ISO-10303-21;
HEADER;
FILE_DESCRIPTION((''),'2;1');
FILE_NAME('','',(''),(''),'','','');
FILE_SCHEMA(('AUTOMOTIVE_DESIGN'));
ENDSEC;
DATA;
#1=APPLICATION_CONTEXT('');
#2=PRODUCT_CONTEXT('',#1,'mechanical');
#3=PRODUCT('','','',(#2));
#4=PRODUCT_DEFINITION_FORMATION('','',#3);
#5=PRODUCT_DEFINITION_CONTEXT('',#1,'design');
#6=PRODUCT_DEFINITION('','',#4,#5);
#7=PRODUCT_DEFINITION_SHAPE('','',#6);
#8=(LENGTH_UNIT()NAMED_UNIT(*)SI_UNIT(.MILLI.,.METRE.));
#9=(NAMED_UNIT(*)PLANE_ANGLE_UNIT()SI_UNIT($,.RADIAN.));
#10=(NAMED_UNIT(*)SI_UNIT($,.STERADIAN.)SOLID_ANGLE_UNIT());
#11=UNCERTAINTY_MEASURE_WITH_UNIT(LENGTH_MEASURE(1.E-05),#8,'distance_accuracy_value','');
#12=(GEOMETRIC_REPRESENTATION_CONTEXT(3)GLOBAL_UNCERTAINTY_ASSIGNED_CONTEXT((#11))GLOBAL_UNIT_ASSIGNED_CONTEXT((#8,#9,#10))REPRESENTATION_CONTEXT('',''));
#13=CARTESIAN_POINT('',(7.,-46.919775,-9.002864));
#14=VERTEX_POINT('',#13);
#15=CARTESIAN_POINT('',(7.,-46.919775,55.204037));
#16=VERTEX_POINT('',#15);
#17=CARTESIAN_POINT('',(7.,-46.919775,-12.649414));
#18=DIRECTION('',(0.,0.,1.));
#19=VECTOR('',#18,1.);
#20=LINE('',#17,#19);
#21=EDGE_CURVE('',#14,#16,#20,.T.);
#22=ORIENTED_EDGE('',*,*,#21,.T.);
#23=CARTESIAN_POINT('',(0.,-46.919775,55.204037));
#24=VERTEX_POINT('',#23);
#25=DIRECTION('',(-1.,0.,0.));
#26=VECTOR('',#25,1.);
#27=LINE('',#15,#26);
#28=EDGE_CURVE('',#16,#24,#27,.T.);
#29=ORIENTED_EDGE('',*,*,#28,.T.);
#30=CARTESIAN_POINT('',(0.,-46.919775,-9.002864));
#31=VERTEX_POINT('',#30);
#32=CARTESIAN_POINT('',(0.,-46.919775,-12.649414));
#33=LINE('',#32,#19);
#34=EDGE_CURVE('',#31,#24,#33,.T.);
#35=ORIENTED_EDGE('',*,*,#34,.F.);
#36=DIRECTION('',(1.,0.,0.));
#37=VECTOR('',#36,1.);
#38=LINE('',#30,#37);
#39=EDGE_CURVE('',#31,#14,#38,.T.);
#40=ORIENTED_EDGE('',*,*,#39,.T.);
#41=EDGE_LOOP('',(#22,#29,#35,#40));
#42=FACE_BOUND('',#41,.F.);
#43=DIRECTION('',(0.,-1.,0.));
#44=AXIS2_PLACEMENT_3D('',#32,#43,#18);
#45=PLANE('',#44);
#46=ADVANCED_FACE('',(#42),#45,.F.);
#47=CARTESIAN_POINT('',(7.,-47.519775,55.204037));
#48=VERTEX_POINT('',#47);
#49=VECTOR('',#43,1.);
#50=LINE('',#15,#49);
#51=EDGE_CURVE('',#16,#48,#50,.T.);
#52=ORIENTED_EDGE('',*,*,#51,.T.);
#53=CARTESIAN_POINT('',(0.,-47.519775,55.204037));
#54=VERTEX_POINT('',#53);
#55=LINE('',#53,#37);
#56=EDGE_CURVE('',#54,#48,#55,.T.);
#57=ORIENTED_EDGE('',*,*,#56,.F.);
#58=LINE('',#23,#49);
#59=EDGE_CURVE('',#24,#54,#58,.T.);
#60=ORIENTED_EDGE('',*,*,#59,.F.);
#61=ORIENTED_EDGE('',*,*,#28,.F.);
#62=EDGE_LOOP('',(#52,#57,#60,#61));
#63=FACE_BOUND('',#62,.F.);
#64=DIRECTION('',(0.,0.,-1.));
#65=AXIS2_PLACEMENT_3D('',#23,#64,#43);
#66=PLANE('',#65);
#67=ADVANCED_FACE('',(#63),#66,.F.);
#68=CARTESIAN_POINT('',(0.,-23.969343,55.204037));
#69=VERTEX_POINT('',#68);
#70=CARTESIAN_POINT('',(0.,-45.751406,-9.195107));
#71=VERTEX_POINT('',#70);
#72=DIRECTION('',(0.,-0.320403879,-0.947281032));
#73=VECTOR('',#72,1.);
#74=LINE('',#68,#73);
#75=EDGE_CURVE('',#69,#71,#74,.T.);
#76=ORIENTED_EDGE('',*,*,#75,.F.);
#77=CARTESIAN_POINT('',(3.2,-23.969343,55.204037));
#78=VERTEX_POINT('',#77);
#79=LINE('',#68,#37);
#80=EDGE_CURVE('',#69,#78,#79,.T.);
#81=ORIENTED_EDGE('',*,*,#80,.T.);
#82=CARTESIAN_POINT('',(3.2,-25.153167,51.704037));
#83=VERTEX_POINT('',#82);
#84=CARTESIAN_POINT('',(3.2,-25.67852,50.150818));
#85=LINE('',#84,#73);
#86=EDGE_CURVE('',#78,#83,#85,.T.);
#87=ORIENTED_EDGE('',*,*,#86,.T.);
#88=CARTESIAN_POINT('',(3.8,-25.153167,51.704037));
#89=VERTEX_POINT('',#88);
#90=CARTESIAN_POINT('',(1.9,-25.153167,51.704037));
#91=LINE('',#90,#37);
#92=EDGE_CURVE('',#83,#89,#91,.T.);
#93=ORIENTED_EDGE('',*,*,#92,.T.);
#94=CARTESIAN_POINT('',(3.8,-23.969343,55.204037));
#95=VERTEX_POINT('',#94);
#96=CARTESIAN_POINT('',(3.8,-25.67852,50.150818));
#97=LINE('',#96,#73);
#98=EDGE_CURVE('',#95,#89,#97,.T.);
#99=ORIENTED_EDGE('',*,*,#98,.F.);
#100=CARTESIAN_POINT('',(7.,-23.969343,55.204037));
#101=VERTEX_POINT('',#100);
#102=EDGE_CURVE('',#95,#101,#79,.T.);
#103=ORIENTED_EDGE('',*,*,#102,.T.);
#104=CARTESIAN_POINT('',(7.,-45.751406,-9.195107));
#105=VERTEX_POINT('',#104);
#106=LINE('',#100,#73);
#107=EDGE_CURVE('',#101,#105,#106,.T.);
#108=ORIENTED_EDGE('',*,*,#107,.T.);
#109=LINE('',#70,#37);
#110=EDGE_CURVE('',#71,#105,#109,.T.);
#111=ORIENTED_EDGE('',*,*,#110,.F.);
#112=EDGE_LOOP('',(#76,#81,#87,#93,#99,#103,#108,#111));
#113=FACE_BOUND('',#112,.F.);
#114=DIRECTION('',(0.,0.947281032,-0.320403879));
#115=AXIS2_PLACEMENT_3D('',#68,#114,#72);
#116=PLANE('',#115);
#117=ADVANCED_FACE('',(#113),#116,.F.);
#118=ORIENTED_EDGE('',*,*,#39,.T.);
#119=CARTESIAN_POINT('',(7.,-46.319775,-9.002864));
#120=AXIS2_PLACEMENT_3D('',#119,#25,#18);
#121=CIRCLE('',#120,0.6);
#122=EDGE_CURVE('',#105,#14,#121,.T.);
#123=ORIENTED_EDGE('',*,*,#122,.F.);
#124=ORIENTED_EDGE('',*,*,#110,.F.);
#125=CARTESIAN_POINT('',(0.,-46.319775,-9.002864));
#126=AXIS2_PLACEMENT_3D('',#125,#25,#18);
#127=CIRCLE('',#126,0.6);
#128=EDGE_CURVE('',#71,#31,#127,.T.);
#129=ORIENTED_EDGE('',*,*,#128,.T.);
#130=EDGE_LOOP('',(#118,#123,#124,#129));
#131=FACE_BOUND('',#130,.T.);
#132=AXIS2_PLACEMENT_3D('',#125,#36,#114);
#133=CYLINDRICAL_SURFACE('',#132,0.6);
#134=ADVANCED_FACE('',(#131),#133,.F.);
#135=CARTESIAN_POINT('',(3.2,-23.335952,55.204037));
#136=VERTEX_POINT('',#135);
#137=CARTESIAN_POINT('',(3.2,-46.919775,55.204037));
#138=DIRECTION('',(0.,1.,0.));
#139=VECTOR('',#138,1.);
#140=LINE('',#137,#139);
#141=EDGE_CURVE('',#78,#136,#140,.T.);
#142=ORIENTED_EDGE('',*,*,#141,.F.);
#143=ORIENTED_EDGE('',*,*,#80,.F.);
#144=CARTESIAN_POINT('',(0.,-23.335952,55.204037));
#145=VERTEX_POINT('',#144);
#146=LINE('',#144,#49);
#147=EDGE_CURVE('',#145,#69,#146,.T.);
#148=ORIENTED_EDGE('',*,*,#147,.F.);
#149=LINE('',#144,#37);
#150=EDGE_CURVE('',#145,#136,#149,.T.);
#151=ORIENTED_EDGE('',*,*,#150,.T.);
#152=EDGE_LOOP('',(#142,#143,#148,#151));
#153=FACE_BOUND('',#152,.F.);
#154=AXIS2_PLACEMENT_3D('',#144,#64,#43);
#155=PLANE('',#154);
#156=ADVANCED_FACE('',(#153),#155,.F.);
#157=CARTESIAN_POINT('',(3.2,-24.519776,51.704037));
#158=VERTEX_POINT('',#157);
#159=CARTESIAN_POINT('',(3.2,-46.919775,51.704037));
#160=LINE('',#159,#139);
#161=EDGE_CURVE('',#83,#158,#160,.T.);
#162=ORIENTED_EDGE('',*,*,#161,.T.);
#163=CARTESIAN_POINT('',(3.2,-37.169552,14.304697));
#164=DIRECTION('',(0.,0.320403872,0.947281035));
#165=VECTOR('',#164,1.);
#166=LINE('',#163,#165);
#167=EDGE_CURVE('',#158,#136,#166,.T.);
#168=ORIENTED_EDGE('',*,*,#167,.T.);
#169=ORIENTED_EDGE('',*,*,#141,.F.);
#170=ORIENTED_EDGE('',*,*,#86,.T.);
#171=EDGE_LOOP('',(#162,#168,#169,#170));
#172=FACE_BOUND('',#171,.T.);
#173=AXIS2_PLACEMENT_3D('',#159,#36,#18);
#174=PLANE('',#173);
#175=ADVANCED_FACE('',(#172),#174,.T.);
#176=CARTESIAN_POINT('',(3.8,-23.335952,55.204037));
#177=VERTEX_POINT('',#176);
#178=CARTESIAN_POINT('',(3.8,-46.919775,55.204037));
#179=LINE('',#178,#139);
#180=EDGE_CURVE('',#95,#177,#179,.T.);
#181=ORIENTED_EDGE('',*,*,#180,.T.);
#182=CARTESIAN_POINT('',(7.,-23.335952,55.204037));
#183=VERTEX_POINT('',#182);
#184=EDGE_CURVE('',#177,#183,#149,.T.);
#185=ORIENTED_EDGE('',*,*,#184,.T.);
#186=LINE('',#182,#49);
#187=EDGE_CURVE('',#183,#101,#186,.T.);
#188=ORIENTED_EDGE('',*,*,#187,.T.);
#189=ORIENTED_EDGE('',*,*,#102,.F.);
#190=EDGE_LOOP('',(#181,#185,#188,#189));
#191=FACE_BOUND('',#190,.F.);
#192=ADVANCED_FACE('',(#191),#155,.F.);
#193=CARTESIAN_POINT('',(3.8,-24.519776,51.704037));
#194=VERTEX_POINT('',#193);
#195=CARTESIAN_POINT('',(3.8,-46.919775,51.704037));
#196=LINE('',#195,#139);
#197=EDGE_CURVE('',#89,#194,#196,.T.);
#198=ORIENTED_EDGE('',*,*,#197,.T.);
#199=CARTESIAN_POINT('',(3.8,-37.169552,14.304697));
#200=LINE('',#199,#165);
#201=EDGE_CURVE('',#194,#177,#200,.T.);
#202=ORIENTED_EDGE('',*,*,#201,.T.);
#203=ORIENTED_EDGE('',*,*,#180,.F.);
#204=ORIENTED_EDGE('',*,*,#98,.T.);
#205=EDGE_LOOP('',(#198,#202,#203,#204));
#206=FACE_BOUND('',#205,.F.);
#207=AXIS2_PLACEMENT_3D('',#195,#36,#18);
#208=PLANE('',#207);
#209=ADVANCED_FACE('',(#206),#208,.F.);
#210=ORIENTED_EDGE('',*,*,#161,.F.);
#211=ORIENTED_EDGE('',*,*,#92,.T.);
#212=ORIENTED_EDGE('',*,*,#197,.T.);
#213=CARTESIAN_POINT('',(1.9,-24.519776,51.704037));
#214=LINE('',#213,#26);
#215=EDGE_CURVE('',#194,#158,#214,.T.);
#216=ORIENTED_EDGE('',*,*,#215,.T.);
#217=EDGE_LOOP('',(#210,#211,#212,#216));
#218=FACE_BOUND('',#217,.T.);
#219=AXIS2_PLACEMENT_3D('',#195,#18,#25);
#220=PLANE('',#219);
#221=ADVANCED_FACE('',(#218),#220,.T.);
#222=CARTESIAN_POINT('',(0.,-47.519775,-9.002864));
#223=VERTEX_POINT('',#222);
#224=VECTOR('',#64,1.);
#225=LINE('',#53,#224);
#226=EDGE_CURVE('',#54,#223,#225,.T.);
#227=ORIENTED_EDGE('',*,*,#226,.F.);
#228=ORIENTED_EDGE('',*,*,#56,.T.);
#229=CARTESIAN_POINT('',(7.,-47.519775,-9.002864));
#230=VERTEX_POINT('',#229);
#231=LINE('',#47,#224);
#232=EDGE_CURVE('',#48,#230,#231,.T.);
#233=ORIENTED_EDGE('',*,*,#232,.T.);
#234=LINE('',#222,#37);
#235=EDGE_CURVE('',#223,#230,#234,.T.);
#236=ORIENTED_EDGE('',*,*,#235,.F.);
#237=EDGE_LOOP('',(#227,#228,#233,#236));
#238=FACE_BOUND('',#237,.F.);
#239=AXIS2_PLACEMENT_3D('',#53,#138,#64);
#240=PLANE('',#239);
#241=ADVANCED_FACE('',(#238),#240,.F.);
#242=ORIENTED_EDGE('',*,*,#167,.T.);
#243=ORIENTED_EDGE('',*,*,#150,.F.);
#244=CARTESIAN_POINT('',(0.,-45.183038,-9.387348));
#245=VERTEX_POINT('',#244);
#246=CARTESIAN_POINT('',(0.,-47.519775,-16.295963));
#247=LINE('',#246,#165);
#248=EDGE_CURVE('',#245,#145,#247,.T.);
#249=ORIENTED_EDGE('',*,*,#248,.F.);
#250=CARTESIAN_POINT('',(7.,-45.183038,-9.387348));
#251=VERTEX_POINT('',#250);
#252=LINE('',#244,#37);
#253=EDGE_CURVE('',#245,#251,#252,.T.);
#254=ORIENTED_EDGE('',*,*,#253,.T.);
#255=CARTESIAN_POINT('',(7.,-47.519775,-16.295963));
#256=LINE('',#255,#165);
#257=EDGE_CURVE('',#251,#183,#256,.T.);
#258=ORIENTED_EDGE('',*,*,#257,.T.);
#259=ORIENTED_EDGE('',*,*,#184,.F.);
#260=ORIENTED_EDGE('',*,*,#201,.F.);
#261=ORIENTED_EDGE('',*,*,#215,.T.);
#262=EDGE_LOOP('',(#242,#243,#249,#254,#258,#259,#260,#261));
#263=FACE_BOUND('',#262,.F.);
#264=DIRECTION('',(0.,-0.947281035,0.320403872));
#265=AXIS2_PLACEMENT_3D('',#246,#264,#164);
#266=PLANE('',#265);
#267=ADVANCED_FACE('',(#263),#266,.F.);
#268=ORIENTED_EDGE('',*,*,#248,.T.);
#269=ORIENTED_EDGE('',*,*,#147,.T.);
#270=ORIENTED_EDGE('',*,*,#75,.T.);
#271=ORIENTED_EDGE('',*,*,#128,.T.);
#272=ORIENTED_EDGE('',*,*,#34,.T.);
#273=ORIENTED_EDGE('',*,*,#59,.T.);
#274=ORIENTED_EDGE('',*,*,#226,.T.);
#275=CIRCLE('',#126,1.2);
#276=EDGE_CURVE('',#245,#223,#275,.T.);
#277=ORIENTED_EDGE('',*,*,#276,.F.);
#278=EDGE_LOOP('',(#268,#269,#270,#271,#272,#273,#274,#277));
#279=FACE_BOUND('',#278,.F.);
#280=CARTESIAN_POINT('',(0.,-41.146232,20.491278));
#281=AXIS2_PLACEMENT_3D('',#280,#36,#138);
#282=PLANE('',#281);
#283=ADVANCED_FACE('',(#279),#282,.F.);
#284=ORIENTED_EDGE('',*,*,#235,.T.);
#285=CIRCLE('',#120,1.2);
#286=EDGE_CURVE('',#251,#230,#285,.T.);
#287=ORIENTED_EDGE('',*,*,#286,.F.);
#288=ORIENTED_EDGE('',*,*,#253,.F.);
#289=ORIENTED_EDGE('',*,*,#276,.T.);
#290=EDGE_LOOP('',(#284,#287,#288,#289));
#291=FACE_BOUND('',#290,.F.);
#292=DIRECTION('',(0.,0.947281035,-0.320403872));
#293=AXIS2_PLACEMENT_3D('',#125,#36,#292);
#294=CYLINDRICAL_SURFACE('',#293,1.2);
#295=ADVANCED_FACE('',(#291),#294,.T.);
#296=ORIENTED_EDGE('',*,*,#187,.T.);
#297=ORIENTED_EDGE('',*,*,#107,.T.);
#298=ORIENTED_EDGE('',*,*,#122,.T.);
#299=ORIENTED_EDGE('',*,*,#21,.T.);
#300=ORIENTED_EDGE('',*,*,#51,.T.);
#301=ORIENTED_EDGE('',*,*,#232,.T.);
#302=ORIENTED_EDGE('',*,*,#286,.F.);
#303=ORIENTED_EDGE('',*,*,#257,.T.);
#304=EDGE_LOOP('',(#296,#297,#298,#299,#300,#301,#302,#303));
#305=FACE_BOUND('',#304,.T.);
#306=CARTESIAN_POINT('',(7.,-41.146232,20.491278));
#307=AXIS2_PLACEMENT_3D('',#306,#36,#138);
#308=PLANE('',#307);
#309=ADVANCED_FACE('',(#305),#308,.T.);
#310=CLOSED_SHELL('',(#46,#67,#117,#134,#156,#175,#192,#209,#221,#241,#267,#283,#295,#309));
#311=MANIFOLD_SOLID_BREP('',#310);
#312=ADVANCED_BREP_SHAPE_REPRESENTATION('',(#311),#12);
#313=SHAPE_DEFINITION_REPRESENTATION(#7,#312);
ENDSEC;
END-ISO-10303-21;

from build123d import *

# Parameters (mm, degrees)
F1_DEPTH = 7
F2_W     = 0.6
F2_H     = 3.5
F3_DEPTH = 32.5
F4_R     = 0.6
F5_R     = 1.2


with BuildPart() as f1:
    # F0 (on Right) → F1 (new body)
    with BuildSketch(Plane.YZ):
        Polygon((-46.919775, 55.204037), (-47.519775, 55.204037), (-47.519775, -16.295963), (-23.335952, 55.204037), (-23.969343, 55.204037), (-46.919775, -12.649414), align=None)
    extrude(amount=F1_DEPTH)

    # F2 (on face) → F3 (cut)
    with BuildSketch(Plane(origin=(0, -46.919775, 0), x_dir=(-1, 0, 0), z_dir=(0, 1, 0))):
        with Locations((-3.5, 53.454037)):
            Rectangle(F2_W, F2_H)
    extrude(amount=F3_DEPTH, mode=Mode.SUBTRACT)

    # F4
    f4_edges = [f1.edges().sort_by_distance(p)[0] for p in [
        (3.5, -46.919775, -12.649414),
    ]]
    fillet(f4_edges, radius=F4_R)

    # F5
    f5_edges = [f1.edges().sort_by_distance(p)[0] for p in [
        (3.5, -47.519775, -16.295963),
    ]]
    fillet(f5_edges, radius=F5_R)


solid = f1.part
